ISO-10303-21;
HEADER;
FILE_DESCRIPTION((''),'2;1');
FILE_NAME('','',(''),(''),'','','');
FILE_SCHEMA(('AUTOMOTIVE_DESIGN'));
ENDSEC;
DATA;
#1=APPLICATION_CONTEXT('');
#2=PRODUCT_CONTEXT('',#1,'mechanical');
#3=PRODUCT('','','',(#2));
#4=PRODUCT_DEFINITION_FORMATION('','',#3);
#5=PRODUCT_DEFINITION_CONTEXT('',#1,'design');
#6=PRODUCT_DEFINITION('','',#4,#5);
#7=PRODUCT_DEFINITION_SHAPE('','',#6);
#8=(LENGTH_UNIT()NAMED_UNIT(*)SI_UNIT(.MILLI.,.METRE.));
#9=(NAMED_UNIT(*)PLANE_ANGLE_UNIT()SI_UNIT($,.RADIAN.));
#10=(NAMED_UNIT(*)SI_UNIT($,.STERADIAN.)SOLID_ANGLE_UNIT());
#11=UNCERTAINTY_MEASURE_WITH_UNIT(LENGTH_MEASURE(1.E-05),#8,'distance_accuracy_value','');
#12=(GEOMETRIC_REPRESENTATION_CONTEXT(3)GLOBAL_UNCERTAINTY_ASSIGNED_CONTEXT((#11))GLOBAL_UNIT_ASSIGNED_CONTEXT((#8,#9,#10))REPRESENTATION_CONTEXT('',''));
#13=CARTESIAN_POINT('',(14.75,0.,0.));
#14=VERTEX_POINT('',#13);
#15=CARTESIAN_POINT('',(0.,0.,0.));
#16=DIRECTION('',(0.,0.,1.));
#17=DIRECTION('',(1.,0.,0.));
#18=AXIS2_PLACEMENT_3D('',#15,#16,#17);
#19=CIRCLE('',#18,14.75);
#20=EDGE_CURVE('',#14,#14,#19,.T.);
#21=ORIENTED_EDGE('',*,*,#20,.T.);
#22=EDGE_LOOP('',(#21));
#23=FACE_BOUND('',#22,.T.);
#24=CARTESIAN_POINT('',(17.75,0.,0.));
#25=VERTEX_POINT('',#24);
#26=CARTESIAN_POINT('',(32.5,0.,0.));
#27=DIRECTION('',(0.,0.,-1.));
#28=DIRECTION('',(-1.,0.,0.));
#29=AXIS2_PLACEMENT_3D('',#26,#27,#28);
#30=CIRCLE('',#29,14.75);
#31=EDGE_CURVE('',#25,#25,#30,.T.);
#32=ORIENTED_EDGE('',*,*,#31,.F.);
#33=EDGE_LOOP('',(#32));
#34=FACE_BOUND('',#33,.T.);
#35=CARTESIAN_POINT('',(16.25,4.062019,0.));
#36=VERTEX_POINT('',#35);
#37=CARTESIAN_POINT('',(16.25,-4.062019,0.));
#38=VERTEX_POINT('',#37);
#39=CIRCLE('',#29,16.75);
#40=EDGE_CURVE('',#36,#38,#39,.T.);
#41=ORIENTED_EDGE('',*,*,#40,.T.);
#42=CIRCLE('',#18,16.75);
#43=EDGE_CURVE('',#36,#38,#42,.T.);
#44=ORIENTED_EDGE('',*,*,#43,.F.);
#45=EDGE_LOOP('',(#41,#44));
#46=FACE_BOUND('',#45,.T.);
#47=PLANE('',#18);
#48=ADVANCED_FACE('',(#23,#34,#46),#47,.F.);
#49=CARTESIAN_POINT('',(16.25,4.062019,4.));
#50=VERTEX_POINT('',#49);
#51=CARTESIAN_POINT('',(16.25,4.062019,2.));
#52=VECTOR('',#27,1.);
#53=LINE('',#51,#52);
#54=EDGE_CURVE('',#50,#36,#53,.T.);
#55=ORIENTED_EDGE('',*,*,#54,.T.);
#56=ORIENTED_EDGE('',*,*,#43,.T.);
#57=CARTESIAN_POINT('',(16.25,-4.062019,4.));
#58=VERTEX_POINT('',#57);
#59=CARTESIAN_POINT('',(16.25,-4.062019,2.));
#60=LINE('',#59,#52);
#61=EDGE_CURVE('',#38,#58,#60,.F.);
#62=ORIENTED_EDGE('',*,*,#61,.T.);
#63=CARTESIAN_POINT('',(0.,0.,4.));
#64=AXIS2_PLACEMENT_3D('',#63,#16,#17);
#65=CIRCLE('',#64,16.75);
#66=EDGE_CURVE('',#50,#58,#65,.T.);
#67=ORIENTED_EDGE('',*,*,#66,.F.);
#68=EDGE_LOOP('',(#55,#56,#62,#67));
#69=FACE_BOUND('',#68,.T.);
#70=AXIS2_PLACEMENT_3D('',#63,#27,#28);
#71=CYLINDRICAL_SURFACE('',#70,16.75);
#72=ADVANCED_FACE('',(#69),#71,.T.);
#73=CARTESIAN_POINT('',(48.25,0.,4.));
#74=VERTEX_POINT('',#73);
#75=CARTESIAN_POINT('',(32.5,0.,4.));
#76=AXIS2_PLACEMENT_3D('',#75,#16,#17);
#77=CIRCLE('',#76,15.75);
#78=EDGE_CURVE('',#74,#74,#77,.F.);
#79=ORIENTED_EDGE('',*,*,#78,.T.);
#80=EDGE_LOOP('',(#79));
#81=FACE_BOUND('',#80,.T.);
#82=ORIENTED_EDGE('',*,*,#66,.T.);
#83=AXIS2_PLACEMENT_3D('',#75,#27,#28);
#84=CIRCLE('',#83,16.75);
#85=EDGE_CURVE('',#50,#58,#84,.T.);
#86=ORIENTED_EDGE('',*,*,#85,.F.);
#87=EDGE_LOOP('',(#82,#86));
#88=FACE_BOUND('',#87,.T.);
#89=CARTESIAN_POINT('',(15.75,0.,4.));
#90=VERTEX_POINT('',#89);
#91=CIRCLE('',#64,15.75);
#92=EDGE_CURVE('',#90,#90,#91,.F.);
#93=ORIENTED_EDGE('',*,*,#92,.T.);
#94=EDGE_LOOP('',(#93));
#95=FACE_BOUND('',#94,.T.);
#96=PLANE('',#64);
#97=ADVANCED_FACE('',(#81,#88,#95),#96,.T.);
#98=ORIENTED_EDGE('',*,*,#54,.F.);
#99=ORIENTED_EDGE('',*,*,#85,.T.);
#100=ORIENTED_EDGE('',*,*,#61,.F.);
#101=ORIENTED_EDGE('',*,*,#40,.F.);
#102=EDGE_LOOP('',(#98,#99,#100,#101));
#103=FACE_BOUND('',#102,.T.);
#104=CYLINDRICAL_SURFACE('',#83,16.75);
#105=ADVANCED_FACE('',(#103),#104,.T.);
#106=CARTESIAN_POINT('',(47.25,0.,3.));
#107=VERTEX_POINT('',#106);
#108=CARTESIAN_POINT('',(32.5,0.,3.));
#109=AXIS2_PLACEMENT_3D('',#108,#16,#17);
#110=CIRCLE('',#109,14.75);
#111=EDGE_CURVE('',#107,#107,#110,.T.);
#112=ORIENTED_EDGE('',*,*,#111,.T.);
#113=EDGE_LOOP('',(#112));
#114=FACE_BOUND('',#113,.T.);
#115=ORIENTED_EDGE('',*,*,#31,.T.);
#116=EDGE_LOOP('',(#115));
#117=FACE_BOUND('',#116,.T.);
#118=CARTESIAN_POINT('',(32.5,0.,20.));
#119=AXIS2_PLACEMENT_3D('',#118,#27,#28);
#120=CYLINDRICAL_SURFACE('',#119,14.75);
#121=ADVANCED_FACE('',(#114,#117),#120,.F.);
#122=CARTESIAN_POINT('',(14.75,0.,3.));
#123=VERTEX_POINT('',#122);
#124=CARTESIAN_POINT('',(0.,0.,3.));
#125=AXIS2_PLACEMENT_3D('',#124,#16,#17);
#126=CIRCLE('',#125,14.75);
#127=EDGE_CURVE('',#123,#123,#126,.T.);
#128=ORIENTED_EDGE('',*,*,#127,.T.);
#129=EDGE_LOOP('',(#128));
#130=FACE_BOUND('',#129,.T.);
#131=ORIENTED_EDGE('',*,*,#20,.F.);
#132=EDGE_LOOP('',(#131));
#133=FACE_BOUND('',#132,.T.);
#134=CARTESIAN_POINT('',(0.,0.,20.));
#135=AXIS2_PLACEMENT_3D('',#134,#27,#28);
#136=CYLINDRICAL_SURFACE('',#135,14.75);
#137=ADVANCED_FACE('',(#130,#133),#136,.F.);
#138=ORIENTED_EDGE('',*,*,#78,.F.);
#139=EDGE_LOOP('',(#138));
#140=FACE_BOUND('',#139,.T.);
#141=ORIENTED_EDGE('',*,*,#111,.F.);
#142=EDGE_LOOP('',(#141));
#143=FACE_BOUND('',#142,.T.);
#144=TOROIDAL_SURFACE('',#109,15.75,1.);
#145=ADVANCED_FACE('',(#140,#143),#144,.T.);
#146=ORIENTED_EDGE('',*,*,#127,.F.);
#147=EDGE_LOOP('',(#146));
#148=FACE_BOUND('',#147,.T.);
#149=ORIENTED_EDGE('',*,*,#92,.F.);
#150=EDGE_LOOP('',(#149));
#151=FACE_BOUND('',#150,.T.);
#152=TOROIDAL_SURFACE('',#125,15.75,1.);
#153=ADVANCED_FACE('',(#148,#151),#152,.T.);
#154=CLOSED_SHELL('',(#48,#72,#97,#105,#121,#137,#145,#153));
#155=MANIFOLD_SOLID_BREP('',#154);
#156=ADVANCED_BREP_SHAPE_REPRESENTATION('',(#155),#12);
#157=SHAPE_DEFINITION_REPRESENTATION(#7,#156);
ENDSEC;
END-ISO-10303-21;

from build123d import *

# Parameters (mm, degrees)
SKETCH2_R            = 16.75
BOSS_EXTRUDE2_DEPTH  = 4
SKETCH1_R            = 14.75
CUT_EXTRUDE1_DEPTH   = 20
FILLET1_R            = 1
FILLET1_OF_MIRROR5_R = 1


with BuildPart() as part:
    # Sketch2 → Boss-Extrude2 (new body)
    with BuildSketch(Plane.XY):
        Circle(SKETCH2_R)
    boss_extrude2 = extrude(amount=BOSS_EXTRUDE2_DEPTH)

    # Sketch1 → Cut-Extrude1 (cut)
    with BuildSketch(Plane.XY):
        Circle(SKETCH1_R)
    cut_extrude1 = extrude(amount=CUT_EXTRUDE1_DEPTH, mode=Mode.SUBTRACT)

    # Fillet1
    fillet1_edges = [part.edges().sort_by_distance(p)[0] for p in [
        (-14.75, 0, 4),
    ]]
    fillet(fillet1_edges, radius=FILLET1_R)

    # Mirror5: Boss-Extrude2, Cut-Extrude1 across plane
    add(boss_extrude2.mirror(Plane(origin=(16.25, 0, 0), x_dir=(0, 0, 1), z_dir=(1, 0, 0))))
    add(cut_extrude1.mirror(Plane(origin=(16.25, 0, 0), x_dir=(0, 0, 1), z_dir=(1, 0, 0))), mode=Mode.SUBTRACT)

    # Fillet1 of Mirror5
    fillet1_of_mirror5_edges = [part.edges().sort_by_distance(p)[0] for p in [
        (47.25, 0, 4),
    ]]
    fillet(fillet1_of_mirror5_edges, radius=FILLET1_OF_MIRROR5_R)


solid = part.part
